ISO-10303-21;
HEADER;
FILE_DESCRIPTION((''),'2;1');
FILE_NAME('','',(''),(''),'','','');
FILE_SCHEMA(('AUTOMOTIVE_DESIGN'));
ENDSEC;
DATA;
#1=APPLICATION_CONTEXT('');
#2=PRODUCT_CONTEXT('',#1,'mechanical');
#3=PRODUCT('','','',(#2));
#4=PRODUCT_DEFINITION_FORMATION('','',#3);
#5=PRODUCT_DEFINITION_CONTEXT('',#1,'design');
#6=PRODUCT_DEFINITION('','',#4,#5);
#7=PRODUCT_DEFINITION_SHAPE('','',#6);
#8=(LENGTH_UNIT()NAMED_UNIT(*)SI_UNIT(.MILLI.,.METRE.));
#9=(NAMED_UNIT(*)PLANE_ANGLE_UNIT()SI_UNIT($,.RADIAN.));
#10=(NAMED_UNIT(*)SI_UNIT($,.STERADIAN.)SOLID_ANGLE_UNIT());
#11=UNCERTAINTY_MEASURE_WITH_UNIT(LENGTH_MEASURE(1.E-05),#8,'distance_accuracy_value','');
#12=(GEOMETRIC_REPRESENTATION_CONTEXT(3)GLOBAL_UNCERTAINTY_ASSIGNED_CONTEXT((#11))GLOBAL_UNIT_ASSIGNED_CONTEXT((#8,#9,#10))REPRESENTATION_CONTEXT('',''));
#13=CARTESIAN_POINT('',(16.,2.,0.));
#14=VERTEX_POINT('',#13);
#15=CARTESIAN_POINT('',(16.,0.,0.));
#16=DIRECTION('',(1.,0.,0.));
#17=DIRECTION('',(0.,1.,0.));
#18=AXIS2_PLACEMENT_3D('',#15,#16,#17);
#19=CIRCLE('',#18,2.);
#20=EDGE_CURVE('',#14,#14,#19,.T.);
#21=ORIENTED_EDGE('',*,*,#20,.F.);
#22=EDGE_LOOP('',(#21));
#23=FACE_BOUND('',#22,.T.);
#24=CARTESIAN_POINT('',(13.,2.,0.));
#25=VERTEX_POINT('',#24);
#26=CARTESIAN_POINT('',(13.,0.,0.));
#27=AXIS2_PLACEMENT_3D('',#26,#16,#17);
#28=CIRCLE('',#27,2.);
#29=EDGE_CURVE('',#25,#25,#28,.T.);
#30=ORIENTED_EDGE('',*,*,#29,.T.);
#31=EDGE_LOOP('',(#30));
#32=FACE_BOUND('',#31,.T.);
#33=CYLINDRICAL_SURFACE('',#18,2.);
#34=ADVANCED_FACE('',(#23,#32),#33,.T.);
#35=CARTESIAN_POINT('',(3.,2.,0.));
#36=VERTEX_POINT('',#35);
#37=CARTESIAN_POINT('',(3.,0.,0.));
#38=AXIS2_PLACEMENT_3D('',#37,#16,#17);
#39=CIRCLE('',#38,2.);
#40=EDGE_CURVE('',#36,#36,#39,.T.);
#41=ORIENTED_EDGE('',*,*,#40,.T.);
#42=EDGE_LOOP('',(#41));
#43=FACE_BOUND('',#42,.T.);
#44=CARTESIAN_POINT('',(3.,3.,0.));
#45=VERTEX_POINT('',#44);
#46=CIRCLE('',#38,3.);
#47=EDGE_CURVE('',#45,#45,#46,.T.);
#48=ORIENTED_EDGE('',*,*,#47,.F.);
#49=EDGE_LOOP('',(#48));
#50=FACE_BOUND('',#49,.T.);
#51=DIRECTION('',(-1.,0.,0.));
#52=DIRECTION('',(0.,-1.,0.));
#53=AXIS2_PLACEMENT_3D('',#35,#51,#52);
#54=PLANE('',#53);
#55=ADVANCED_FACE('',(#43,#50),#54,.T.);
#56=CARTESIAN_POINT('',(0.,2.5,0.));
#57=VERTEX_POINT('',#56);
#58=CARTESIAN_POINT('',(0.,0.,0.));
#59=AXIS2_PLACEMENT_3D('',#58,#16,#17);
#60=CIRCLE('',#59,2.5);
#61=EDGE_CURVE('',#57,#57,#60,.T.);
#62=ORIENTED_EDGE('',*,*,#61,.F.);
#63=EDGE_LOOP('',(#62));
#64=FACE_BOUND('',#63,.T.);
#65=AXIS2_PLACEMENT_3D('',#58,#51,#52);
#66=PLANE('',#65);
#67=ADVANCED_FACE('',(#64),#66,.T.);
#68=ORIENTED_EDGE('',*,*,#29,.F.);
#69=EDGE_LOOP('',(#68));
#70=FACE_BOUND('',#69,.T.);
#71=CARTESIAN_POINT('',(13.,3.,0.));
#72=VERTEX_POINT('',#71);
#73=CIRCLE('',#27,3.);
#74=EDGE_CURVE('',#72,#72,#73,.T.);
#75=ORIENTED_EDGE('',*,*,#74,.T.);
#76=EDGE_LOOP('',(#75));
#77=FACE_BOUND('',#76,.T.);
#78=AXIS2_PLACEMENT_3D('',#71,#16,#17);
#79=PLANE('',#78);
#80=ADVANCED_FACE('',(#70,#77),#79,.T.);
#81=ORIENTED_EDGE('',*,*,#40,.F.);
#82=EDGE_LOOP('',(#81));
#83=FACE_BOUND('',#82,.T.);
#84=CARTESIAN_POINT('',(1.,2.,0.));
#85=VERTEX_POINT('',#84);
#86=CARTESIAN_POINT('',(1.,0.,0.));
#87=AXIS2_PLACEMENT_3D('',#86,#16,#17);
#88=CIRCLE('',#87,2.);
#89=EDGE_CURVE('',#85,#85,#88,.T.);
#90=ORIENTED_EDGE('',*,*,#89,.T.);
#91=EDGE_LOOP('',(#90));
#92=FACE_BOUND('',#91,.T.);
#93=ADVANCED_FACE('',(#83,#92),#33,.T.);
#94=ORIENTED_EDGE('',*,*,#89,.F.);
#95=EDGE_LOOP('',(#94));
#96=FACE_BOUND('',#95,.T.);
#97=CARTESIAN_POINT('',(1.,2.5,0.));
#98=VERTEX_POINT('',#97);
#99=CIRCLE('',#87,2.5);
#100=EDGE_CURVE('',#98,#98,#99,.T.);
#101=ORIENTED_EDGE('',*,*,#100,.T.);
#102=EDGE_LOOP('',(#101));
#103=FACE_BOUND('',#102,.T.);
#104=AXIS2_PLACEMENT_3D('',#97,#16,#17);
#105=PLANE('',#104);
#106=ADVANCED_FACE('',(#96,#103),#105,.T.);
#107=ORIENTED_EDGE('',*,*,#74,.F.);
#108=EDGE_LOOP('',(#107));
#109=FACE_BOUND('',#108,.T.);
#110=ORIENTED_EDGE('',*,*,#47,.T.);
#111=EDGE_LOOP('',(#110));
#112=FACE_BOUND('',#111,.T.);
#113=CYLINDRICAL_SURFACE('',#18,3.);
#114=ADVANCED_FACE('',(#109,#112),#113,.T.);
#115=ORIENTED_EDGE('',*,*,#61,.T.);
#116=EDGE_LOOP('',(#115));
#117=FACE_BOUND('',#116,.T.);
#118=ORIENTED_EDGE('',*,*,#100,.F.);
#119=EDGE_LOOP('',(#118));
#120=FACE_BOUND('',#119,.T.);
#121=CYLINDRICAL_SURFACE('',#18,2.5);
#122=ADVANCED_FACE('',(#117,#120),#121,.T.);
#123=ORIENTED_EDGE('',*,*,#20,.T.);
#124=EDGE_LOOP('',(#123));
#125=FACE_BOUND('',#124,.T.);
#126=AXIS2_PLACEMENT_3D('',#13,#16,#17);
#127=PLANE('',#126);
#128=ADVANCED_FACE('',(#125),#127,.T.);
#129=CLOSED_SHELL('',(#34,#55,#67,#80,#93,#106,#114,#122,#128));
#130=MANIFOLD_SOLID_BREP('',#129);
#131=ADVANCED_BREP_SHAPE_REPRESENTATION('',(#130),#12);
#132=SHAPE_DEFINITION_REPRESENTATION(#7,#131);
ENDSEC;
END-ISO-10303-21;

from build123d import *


with BuildPart() as part:
    # Esquisse1 → Révolution1 (revolve)
    with BuildSketch(Plane.XY):
        Polygon((0, 0), (0, 2.5), (1, 2.5), (1, 2), (3, 2), (3, 3), (13, 3), (13, 2), (16, 2), (16, 0), align=None)
    revolve(axis=Axis((16, 0, 0), (-1, 0, 0)))


solid = part.part
